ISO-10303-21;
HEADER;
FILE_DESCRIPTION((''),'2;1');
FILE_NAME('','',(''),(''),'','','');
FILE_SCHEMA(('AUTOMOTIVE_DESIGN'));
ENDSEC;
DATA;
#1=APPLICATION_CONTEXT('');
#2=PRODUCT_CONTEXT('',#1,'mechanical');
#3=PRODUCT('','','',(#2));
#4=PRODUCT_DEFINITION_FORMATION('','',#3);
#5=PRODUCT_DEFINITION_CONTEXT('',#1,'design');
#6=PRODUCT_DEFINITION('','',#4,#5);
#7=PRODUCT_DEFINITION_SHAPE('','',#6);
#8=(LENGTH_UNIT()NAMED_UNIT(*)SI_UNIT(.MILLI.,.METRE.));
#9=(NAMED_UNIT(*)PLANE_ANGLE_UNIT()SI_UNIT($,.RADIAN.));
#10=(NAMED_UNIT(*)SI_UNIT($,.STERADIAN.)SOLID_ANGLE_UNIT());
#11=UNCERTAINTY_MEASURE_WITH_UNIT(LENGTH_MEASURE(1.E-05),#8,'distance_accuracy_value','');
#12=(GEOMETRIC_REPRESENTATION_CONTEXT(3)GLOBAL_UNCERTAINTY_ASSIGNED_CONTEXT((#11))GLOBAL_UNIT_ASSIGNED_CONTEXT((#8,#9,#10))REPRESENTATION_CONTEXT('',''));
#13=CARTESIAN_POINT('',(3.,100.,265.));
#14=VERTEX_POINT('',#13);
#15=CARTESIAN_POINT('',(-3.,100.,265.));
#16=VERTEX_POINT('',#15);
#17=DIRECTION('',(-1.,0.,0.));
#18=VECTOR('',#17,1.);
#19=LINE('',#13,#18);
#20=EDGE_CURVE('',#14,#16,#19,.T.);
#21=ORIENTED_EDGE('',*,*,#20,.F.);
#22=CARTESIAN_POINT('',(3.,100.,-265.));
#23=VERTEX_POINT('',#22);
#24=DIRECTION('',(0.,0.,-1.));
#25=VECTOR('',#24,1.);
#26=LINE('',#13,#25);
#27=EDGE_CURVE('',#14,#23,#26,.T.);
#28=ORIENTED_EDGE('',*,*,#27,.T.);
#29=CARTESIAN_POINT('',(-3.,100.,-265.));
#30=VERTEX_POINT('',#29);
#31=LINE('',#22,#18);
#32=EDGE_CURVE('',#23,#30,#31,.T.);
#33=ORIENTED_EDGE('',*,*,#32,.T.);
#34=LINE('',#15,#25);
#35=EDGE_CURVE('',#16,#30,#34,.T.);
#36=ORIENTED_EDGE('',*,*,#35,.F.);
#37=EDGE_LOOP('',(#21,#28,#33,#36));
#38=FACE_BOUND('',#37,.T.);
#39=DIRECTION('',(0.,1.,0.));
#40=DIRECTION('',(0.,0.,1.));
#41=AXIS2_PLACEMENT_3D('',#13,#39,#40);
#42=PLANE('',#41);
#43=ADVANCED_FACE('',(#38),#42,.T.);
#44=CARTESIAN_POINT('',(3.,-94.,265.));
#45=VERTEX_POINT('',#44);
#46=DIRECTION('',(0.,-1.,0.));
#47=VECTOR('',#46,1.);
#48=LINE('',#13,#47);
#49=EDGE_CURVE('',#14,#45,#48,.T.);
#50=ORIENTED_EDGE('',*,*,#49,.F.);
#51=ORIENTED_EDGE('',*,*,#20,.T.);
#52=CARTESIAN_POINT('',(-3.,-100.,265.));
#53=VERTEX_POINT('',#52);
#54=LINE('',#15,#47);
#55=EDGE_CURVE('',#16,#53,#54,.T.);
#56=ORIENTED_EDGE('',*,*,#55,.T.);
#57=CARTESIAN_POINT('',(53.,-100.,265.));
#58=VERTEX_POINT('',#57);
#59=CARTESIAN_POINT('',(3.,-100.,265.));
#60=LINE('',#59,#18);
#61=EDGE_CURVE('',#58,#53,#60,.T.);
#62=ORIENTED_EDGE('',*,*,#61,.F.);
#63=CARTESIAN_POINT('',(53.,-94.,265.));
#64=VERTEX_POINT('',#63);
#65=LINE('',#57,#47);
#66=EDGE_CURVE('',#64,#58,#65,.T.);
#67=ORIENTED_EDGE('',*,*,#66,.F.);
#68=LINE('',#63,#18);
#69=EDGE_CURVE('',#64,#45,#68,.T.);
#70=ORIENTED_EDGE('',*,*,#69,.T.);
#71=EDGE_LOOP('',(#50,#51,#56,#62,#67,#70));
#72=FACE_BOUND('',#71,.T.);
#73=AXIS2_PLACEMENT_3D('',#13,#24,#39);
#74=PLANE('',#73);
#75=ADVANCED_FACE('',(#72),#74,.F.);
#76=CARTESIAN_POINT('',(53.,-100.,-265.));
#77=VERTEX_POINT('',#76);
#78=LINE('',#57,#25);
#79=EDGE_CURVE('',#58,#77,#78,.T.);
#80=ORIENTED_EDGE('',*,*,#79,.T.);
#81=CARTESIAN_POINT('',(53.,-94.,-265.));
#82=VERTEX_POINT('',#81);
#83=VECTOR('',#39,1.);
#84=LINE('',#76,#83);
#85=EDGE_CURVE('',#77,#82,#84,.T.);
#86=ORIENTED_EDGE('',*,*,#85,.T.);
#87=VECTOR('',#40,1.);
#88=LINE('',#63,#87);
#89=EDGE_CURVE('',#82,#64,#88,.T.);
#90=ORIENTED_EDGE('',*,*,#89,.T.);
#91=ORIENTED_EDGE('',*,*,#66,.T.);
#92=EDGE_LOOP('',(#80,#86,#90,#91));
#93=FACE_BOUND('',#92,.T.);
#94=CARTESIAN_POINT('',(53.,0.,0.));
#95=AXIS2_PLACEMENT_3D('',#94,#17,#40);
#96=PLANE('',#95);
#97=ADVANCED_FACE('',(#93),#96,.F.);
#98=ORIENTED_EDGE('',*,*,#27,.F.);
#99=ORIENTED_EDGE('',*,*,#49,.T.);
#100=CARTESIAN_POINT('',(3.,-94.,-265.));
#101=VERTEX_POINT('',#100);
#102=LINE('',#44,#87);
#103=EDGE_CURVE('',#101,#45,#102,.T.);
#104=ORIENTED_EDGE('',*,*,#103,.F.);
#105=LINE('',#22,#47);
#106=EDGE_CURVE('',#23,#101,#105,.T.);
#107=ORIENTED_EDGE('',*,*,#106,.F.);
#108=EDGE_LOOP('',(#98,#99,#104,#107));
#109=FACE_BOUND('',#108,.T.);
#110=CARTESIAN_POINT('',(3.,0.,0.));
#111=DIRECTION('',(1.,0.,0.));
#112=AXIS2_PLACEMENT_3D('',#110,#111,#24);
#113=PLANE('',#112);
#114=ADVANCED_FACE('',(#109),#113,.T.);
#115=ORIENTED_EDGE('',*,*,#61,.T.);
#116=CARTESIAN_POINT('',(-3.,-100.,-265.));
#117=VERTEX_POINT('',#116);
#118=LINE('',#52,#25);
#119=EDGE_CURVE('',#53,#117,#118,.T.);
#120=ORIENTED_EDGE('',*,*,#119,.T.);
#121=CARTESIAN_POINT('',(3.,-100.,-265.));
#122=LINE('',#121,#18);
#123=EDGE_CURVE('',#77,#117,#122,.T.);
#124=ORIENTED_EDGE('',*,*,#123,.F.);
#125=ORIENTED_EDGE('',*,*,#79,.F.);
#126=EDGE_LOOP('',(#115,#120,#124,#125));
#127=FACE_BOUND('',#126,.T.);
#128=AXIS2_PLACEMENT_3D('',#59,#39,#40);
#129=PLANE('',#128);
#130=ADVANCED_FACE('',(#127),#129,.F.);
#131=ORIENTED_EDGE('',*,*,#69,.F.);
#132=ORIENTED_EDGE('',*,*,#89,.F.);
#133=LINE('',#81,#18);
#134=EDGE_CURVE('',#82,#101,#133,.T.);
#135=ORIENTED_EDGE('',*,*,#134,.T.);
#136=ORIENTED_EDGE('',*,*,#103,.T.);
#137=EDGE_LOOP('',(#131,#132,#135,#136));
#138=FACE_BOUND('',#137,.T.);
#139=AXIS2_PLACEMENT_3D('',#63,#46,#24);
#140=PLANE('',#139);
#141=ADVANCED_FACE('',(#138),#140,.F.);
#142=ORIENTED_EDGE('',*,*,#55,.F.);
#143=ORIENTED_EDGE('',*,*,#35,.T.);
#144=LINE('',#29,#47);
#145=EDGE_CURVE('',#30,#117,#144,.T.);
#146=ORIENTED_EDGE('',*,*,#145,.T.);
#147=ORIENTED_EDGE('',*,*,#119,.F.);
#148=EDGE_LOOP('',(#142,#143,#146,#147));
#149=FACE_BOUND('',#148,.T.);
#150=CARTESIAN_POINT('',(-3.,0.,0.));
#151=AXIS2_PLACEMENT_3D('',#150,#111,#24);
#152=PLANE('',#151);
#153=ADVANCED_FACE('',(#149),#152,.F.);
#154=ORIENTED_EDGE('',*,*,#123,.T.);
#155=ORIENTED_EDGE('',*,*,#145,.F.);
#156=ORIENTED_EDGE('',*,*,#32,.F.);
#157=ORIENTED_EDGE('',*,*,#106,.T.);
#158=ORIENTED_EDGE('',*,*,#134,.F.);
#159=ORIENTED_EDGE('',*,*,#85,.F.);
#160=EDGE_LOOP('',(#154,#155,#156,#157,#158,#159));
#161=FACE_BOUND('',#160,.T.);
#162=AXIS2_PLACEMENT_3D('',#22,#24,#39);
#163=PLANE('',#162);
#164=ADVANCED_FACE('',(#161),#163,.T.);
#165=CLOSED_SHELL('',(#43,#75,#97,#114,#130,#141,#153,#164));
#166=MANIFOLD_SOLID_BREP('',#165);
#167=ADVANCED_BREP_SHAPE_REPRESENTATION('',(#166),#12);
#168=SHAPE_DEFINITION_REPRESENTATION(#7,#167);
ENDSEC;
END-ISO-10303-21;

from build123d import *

# Parameters (mm, degrees)
SKETCH1_W           = 530
SKETCH1_H           = 200
BOSS_EXTRUDE1_DEPTH = 3
SKETCH2_W           = 530
SKETCH2_H           = 6
BOSS_EXTRUDE2_DEPTH = 50


with BuildPart() as part:
    # Sketch1 → Boss-Extrude1 (new, symmetric)
    with BuildSketch(Plane(origin=(0, 0, 0), x_dir=(0, 0, -1), z_dir=(1, 0, 0))):
        Rectangle(SKETCH1_W, SKETCH1_H)
    extrude(amount=BOSS_EXTRUDE1_DEPTH, both=True)

    # Sketch2 → Boss-Extrude2 (add)
    with BuildSketch(Plane(origin=(3, 0, 0), x_dir=(0, 0, -1), z_dir=(1, 0, 0))):
        with Locations((0, -97)):
            Rectangle(SKETCH2_W, SKETCH2_H)
    extrude(amount=BOSS_EXTRUDE2_DEPTH)


solid = part.part
